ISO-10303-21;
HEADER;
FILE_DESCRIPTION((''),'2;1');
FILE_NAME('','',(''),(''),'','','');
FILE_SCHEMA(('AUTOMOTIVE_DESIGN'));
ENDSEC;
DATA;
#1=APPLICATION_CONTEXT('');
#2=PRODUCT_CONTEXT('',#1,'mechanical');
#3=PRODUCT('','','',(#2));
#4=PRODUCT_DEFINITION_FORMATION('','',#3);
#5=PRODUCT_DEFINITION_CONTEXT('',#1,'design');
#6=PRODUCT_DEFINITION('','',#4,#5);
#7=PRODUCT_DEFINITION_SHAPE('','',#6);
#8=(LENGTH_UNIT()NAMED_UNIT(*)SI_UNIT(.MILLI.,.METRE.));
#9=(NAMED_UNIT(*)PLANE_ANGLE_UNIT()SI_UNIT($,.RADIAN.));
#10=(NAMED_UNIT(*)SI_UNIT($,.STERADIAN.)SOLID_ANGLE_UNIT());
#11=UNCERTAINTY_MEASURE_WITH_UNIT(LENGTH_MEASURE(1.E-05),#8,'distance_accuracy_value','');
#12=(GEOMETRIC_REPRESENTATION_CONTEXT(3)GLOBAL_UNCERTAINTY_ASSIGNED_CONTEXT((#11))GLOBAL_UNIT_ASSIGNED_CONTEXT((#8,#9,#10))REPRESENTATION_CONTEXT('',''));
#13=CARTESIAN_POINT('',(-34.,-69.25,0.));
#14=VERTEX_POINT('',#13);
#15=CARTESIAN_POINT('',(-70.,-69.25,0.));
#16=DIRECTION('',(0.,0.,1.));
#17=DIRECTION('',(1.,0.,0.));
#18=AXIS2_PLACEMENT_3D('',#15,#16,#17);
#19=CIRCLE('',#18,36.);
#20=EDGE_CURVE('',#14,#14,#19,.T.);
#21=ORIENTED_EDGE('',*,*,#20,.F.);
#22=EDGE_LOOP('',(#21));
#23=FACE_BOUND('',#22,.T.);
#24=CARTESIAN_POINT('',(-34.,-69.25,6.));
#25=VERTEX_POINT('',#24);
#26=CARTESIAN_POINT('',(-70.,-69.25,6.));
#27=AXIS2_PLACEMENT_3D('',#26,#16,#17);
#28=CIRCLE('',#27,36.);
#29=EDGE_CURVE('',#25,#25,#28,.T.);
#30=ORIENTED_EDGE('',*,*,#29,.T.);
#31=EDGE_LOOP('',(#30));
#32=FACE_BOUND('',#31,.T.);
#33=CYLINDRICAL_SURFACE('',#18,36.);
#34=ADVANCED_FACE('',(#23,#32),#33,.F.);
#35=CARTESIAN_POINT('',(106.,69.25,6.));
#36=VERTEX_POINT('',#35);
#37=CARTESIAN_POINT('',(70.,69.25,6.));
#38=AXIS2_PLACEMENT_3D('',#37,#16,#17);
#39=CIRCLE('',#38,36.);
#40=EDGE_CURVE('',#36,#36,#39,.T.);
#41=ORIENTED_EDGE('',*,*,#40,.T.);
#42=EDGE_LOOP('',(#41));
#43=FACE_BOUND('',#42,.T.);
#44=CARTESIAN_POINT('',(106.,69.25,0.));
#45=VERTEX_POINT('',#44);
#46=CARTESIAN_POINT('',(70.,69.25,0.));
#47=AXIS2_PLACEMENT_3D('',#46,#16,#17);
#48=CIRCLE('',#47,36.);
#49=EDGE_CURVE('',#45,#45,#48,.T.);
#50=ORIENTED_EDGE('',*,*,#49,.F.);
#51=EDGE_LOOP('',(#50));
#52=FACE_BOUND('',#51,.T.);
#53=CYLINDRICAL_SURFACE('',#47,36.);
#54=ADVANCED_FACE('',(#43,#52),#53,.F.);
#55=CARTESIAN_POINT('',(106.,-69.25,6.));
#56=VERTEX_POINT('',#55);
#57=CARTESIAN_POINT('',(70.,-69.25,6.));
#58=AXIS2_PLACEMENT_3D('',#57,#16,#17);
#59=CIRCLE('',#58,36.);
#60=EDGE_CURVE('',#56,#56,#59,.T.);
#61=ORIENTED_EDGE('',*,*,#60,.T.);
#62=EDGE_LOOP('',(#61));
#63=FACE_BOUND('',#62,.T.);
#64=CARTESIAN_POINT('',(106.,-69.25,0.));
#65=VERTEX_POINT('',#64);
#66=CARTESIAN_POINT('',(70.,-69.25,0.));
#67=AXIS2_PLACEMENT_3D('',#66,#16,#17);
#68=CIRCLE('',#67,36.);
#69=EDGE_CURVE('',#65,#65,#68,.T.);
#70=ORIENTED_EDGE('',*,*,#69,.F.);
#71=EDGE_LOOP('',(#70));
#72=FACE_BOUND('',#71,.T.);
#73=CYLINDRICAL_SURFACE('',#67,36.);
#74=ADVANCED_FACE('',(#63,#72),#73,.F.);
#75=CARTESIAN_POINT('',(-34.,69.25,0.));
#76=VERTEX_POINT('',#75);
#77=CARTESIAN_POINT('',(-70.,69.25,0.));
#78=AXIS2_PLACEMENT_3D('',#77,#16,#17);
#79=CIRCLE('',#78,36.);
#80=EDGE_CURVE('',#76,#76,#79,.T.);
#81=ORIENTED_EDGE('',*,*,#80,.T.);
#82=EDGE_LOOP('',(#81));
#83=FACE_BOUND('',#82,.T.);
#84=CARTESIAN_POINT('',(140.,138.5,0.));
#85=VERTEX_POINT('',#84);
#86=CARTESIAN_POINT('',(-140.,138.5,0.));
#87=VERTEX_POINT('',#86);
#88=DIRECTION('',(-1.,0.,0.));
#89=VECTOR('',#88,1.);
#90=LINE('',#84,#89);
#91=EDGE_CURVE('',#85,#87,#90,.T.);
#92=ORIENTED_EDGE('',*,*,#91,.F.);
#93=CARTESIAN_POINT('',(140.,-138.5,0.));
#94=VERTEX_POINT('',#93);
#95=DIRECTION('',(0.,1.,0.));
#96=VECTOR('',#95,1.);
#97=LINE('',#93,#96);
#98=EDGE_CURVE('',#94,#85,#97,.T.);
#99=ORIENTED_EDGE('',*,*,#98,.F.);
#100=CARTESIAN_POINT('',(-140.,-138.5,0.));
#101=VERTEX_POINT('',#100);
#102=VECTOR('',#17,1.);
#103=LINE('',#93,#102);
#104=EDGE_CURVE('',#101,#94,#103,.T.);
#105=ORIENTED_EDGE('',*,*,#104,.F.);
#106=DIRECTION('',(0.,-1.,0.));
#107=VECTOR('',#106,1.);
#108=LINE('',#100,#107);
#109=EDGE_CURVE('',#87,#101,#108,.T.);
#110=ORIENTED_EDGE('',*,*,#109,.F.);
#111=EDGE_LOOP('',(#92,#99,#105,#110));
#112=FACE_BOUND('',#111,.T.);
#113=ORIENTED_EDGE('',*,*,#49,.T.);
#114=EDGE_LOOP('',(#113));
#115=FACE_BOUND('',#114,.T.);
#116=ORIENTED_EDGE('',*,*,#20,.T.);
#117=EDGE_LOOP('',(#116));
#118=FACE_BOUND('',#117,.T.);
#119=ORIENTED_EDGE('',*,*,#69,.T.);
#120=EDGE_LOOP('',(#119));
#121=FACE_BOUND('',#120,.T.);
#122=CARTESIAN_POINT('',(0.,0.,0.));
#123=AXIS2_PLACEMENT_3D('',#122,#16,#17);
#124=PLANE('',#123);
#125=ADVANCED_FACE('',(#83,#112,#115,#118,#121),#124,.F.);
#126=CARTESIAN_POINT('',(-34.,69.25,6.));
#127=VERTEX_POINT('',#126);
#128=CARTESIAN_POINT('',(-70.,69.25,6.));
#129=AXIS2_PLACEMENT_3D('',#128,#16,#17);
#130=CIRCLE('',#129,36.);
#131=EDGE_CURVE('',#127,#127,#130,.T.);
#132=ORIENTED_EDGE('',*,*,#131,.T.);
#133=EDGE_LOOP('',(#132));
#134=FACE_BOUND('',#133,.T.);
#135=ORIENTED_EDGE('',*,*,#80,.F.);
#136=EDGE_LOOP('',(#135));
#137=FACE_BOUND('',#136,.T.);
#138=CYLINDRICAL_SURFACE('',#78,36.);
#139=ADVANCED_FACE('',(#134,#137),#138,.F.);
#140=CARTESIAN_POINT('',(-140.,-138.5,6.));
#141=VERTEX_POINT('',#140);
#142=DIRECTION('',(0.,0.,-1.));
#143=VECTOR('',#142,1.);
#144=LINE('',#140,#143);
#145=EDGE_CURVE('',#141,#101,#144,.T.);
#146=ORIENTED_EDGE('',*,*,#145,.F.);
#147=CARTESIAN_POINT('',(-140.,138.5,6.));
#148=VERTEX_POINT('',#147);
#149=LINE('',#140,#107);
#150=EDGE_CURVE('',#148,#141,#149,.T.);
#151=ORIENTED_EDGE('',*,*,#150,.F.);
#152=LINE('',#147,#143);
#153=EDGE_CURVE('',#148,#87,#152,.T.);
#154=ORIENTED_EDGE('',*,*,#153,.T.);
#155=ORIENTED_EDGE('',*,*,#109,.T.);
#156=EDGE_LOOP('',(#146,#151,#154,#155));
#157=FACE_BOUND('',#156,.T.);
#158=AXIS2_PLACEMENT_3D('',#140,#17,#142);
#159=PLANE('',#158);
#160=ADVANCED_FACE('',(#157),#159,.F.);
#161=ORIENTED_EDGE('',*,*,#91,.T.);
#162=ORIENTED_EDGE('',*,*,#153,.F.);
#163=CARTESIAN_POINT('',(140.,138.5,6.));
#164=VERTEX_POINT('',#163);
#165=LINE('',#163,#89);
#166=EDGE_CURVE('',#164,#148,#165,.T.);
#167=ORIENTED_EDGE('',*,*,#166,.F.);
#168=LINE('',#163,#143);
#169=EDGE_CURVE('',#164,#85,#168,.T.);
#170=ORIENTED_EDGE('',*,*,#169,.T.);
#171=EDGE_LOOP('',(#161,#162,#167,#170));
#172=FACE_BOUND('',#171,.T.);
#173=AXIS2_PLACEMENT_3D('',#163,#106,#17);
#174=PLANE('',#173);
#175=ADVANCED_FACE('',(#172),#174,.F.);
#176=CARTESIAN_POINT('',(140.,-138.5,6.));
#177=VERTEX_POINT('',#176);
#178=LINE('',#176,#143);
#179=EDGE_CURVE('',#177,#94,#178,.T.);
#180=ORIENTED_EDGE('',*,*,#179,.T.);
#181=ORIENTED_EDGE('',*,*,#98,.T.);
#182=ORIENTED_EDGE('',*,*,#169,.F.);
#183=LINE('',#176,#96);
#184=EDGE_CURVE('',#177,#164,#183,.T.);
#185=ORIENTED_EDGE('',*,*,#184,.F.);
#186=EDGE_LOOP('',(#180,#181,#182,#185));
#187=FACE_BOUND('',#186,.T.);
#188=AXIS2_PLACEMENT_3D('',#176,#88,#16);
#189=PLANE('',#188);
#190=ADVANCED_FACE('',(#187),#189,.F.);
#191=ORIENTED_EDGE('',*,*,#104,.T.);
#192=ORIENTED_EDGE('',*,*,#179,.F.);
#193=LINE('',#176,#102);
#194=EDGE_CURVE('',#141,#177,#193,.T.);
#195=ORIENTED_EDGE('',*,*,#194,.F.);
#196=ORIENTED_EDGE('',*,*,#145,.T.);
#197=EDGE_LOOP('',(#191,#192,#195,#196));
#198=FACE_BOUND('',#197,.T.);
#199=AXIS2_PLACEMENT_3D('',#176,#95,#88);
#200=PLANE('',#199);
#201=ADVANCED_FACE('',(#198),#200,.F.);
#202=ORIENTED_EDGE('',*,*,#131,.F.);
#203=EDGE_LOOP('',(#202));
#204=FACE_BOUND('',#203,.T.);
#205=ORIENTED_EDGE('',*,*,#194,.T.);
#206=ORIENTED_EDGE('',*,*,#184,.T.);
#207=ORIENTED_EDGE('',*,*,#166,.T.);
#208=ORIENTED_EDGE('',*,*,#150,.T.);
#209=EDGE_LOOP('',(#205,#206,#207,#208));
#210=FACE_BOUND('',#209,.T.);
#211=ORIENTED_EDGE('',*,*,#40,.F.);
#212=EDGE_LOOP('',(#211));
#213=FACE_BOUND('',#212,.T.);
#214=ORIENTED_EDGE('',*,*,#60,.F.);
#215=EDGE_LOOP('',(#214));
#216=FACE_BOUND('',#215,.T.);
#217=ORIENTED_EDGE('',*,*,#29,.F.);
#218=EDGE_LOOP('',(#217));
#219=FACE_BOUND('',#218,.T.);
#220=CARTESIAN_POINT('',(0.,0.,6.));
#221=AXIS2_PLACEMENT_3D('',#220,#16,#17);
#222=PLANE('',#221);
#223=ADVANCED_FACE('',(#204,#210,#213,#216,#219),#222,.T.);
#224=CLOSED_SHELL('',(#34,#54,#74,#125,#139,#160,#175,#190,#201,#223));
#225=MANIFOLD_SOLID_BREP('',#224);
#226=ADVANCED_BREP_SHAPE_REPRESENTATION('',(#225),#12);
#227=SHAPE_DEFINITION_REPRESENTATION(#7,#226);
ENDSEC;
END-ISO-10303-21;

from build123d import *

# Parameters (mm, degrees)
SKETCH1_W           = 280
SKETCH1_H           = 277
BOSS_EXTRUDE1_DEPTH = 6
SKETCH2_R           = 36
CUT_EXTRUDE1_DEPTH  = 198.023475759


with BuildPart() as part:
    # Sketch1 → Boss-Extrude1 (new body)
    with BuildSketch(Plane.XY):
        Rectangle(SKETCH1_W, SKETCH1_H)
    extrude(amount=BOSS_EXTRUDE1_DEPTH)

    # Sketch2 → Cut-Extrude1 (cut, through all)
    with BuildSketch(Plane.XY.offset(6)):
        with Locations((-70, 69.25)):
            Circle(SKETCH2_R)
        with Locations((-70, -69.25)):
            Circle(SKETCH2_R)
        with Locations((70, -69.25)):
            Circle(SKETCH2_R)
        with Locations((70, 69.25)):
            Circle(SKETCH2_R)
    extrude(amount=-CUT_EXTRUDE1_DEPTH, mode=Mode.SUBTRACT)


solid = part.part
